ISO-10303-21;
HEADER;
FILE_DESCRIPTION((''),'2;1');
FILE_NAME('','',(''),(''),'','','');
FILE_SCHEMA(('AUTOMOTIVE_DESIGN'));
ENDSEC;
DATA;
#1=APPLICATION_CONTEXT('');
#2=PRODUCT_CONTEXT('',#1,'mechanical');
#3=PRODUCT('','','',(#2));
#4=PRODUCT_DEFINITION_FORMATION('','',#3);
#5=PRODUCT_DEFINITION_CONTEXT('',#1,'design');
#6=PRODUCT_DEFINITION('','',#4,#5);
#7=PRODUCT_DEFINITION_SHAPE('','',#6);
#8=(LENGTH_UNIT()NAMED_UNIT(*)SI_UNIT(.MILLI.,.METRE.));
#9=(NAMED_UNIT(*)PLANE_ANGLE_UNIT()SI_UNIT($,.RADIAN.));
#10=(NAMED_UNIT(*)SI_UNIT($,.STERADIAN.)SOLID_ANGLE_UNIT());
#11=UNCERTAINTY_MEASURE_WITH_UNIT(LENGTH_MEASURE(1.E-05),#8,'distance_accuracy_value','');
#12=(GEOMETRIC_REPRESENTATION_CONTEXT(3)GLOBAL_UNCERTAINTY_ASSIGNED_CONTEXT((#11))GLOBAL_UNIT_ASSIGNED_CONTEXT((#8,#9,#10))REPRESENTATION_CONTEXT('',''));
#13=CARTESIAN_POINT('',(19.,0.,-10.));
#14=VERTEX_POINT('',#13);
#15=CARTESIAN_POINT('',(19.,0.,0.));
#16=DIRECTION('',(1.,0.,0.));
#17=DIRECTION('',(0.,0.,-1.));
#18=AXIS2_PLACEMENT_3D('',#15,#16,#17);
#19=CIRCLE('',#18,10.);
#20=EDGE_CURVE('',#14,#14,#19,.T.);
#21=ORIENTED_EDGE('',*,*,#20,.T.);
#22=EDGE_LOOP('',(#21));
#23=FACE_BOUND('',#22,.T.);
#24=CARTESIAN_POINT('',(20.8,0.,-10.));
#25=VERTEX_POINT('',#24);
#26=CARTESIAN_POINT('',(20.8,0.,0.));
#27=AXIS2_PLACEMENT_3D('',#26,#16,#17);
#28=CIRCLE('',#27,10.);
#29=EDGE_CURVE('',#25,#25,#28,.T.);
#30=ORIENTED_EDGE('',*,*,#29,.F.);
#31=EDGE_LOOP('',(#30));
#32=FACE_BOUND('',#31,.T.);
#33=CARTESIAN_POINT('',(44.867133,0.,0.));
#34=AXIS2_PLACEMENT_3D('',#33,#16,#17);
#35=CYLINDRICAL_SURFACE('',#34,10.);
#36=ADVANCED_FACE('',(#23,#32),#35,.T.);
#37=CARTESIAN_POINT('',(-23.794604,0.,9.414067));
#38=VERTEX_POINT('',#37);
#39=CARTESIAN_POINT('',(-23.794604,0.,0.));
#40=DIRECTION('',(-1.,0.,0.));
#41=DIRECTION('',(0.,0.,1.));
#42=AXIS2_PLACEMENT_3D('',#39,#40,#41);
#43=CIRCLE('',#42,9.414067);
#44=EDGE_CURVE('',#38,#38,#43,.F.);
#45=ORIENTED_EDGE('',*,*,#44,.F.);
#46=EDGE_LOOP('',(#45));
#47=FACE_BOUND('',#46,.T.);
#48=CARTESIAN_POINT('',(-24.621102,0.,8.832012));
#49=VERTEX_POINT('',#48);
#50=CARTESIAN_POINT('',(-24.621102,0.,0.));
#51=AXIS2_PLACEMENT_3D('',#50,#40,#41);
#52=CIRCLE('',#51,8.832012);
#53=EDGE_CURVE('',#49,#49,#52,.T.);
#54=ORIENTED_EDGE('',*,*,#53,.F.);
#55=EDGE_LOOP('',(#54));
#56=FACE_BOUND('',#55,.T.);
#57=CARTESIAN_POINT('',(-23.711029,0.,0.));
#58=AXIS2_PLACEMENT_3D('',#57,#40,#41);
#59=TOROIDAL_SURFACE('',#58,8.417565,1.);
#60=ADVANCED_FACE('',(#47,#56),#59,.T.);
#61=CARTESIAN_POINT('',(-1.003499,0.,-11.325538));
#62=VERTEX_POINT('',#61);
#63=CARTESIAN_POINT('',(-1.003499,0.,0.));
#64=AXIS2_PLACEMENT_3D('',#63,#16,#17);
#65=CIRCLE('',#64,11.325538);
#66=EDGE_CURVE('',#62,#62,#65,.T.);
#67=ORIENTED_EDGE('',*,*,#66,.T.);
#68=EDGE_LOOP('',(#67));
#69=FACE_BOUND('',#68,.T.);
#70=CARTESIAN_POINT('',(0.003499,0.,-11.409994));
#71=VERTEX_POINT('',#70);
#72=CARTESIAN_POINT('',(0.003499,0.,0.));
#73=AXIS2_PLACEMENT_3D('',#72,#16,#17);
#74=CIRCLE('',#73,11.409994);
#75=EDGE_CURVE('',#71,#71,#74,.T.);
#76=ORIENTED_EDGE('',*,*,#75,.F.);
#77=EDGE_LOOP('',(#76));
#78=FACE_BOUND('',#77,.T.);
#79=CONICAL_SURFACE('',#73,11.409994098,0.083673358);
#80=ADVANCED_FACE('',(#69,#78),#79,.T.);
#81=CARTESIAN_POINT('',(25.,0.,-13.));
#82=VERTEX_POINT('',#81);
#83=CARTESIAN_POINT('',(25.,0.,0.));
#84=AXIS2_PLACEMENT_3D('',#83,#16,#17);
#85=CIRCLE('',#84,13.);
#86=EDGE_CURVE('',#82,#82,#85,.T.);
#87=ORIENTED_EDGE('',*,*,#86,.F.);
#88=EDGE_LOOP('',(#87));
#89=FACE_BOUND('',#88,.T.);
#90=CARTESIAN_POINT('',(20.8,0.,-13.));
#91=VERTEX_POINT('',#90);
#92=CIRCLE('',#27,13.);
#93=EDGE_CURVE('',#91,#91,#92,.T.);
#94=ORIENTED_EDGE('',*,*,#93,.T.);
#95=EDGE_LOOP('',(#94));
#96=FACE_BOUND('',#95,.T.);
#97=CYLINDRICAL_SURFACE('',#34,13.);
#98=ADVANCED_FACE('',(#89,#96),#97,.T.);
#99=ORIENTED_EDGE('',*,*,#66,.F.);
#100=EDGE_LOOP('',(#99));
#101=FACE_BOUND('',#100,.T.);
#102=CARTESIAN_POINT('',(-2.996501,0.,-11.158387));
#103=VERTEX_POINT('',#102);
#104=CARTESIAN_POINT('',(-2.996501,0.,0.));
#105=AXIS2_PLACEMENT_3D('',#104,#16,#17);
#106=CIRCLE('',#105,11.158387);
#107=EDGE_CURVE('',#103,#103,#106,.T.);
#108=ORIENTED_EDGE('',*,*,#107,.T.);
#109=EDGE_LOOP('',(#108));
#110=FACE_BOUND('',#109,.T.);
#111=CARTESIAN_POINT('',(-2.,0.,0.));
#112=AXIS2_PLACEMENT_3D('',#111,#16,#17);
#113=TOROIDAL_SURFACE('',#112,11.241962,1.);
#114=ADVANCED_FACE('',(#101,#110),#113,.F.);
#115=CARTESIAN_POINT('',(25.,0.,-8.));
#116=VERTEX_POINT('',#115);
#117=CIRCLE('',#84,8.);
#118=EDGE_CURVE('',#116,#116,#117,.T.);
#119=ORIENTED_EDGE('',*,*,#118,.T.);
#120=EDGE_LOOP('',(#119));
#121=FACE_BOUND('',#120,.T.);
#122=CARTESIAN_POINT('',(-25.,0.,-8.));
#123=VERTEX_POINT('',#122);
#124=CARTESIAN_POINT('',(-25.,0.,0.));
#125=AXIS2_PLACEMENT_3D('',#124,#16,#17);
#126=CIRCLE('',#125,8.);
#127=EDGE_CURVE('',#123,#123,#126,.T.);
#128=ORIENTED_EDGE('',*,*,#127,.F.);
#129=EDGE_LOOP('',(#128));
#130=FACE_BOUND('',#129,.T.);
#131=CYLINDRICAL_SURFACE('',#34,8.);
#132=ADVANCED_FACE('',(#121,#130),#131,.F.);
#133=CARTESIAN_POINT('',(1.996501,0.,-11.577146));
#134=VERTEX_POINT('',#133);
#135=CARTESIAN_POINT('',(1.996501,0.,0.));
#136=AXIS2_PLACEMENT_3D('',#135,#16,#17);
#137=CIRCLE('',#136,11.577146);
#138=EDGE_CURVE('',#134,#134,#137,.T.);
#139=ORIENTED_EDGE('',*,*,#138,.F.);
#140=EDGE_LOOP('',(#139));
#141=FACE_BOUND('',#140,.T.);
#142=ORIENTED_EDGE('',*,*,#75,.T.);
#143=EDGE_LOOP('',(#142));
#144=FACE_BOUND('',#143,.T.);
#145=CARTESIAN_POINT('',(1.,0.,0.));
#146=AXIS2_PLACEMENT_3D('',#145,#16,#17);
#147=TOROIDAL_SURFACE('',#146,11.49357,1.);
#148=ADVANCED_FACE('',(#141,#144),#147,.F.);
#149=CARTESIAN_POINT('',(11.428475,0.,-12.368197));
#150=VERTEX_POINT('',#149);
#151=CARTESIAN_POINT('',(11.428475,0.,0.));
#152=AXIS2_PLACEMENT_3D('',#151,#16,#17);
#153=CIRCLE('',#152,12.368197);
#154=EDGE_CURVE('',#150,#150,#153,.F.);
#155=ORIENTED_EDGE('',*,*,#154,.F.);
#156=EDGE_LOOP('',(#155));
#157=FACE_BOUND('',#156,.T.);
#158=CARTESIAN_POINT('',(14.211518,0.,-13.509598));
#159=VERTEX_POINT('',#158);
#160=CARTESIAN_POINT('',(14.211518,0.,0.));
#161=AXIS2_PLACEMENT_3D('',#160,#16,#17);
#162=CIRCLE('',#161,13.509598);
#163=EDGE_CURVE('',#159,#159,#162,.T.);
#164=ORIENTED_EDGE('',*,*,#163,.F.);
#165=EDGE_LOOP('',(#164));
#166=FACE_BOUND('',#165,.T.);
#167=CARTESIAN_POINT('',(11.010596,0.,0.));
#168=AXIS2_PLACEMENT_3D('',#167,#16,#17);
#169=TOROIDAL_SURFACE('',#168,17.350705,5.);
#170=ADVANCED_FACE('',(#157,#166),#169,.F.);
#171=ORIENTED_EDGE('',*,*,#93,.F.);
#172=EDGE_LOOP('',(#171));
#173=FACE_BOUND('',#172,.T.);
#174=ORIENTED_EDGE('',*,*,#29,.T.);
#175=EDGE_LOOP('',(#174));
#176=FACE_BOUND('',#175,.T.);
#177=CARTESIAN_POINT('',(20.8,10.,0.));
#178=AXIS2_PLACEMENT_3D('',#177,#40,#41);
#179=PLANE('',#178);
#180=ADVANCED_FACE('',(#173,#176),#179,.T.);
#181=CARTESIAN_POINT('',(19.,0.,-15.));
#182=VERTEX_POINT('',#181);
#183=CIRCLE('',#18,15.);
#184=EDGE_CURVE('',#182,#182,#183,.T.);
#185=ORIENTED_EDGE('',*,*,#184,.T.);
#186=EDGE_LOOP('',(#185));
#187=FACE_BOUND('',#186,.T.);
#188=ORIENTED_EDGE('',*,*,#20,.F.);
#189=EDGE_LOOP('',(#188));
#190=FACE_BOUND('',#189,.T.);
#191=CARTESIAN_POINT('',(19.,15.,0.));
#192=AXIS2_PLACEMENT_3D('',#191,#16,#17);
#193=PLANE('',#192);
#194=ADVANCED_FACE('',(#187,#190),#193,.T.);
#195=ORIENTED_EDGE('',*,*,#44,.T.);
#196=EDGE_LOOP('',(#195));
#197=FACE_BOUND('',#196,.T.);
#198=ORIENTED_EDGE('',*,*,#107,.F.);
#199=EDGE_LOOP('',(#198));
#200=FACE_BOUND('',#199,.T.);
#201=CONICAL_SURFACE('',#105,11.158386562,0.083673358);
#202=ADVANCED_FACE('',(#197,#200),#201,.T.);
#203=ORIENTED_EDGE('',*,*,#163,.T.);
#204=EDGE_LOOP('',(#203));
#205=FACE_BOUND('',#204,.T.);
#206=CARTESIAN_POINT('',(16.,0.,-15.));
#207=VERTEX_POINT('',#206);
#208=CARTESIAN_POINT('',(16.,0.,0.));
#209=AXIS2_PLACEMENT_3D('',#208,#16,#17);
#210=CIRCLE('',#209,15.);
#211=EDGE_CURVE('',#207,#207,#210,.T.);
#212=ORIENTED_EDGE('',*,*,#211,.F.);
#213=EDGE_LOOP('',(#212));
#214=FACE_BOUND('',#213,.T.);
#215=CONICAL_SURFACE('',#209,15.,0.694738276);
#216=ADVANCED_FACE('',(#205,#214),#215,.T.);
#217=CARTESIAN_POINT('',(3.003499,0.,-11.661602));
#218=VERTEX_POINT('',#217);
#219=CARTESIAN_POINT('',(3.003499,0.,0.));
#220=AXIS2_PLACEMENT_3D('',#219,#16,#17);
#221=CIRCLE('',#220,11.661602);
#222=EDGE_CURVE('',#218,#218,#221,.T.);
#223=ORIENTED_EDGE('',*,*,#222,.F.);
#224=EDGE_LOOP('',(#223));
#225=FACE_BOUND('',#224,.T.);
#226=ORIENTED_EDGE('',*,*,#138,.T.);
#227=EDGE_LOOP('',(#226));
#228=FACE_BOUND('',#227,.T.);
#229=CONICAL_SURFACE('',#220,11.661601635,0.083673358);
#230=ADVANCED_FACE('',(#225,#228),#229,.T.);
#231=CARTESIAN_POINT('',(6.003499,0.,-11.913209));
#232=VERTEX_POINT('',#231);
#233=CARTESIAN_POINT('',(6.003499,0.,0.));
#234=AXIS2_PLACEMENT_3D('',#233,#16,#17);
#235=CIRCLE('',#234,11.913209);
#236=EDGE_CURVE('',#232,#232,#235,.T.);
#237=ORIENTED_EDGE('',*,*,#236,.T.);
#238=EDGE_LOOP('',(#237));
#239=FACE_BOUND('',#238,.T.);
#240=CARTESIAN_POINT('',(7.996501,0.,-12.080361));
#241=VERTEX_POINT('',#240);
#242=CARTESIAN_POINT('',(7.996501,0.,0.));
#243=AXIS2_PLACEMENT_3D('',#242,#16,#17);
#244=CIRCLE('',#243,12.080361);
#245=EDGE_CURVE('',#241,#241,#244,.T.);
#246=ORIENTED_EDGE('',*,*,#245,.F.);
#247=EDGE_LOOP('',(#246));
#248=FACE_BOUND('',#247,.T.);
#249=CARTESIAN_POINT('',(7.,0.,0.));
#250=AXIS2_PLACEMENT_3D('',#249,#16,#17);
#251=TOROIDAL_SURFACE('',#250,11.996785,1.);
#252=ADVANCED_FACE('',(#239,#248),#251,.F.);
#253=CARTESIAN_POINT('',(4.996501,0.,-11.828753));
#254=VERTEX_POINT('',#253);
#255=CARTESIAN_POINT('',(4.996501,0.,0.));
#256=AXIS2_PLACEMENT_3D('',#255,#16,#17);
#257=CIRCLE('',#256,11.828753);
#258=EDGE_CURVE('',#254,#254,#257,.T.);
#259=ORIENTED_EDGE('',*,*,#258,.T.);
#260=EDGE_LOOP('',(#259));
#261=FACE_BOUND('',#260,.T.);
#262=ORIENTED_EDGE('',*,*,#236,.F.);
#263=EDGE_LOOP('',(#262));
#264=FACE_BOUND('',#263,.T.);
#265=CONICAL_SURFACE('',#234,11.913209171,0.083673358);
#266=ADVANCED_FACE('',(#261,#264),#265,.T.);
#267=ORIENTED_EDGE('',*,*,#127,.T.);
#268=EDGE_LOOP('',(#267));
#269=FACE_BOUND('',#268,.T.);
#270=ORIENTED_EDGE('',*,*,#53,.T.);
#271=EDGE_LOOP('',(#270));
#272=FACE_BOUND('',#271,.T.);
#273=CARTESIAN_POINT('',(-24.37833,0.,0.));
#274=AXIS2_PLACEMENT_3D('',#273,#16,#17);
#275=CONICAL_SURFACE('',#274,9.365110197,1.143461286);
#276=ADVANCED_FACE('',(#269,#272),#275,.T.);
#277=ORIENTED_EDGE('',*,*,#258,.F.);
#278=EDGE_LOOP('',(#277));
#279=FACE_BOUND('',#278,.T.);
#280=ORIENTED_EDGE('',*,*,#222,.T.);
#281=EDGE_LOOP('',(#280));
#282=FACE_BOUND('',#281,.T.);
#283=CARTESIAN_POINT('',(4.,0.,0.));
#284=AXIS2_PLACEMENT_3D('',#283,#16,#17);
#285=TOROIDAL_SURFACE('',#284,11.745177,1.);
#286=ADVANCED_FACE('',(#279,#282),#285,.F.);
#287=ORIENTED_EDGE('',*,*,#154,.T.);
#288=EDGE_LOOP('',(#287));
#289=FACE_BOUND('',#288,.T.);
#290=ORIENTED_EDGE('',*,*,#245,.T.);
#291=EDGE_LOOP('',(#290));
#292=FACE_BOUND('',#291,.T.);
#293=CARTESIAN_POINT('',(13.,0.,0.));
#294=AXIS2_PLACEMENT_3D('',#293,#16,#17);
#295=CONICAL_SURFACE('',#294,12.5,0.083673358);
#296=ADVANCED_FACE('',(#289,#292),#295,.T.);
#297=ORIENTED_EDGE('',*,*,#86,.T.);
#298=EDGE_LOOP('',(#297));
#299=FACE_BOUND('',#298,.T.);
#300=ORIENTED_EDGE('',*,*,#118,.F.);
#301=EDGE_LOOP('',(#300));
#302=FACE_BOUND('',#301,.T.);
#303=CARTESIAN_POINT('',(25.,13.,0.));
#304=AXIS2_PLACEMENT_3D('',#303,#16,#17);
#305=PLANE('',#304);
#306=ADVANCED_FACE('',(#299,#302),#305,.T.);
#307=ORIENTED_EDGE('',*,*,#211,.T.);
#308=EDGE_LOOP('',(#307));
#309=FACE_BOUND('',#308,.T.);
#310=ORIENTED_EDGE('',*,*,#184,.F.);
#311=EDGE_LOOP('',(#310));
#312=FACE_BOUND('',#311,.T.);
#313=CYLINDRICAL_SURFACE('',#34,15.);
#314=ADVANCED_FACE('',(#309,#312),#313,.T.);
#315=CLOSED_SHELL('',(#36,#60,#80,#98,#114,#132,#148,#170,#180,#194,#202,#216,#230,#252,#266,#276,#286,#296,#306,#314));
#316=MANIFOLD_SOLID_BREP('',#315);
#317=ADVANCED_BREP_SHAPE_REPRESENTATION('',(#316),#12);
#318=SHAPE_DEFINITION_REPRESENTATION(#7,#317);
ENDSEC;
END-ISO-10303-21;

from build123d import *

# Parameters (mm, degrees)
FILLET1_R = 1
FILLET2_R = 5


with BuildPart() as part:
    # Sketch1 → Revolve1 (revolve)
    with BuildSketch(Plane.XY, mode=Mode.PRIVATE) as revolve1_sk:
        with BuildLine():
            Line((-24.378329548, 9.365110197), (-2.996501426, 11.158386562))
            ThreePointArc((-2.996501426, 11.158386562), (-1.916424244, 10.245460892), (-1.003498574, 11.325538075))
            Line((-1.003498574, 11.325538075), (0.003498574, 11.409994098))
            ThreePointArc((0.003498574, 11.409994098), (1.083575756, 10.497068428), (1.996501426, 11.577145611))
            Line((1.996501426, 11.577145611), (3.003498574, 11.661601635))
            ThreePointArc((3.003498574, 11.661601635), (4.083575756, 10.748675964), (4.996501426, 11.828753147))
            Line((4.996501426, 11.828753147), (6.003498574, 11.913209171))
            ThreePointArc((6.003498574, 11.913209171), (7.083575756, 11.000283501), (7.996501426, 12.080360684))
            Line((7.996501426, 12.080360684), (13, 12.5))
            Line((13, 12.5), (16, 15))
            Line((16, 15), (19, 15))
            Line((19, 15), (19, 10))
            Line((19, 10), (20.8, 10))
            Line((20.8, 10), (20.8, 13))
            Line((20.8, 13), (25, 13))
            Line((25, 13), (25, 8))
            Line((25, 8), (-25, 8))
            Line((-25, 8), (-24.378329548, 9.365110197))
        make_face()
    revolve(revolve1_sk.sketch.rotate(Axis((44.867132867, 0, 0), (-1, 0, 0)), 90), axis=Axis((44.867132867, 0, 0), (-1, 0, 0)))

    # Fillet1
    fillet1_edges = [part.edges().sort_by_distance(p)[0] for p in [
        (-24.378329548, 0, 9.365110197),
    ]]
    fillet(fillet1_edges, radius=FILLET1_R)

    # Fillet2
    fillet2_edges = [part.edges().sort_by_distance(p)[0] for p in [
        (13, 0, 12.5),
    ]]
    fillet(fillet2_edges, radius=FILLET2_R)


solid = part.part
